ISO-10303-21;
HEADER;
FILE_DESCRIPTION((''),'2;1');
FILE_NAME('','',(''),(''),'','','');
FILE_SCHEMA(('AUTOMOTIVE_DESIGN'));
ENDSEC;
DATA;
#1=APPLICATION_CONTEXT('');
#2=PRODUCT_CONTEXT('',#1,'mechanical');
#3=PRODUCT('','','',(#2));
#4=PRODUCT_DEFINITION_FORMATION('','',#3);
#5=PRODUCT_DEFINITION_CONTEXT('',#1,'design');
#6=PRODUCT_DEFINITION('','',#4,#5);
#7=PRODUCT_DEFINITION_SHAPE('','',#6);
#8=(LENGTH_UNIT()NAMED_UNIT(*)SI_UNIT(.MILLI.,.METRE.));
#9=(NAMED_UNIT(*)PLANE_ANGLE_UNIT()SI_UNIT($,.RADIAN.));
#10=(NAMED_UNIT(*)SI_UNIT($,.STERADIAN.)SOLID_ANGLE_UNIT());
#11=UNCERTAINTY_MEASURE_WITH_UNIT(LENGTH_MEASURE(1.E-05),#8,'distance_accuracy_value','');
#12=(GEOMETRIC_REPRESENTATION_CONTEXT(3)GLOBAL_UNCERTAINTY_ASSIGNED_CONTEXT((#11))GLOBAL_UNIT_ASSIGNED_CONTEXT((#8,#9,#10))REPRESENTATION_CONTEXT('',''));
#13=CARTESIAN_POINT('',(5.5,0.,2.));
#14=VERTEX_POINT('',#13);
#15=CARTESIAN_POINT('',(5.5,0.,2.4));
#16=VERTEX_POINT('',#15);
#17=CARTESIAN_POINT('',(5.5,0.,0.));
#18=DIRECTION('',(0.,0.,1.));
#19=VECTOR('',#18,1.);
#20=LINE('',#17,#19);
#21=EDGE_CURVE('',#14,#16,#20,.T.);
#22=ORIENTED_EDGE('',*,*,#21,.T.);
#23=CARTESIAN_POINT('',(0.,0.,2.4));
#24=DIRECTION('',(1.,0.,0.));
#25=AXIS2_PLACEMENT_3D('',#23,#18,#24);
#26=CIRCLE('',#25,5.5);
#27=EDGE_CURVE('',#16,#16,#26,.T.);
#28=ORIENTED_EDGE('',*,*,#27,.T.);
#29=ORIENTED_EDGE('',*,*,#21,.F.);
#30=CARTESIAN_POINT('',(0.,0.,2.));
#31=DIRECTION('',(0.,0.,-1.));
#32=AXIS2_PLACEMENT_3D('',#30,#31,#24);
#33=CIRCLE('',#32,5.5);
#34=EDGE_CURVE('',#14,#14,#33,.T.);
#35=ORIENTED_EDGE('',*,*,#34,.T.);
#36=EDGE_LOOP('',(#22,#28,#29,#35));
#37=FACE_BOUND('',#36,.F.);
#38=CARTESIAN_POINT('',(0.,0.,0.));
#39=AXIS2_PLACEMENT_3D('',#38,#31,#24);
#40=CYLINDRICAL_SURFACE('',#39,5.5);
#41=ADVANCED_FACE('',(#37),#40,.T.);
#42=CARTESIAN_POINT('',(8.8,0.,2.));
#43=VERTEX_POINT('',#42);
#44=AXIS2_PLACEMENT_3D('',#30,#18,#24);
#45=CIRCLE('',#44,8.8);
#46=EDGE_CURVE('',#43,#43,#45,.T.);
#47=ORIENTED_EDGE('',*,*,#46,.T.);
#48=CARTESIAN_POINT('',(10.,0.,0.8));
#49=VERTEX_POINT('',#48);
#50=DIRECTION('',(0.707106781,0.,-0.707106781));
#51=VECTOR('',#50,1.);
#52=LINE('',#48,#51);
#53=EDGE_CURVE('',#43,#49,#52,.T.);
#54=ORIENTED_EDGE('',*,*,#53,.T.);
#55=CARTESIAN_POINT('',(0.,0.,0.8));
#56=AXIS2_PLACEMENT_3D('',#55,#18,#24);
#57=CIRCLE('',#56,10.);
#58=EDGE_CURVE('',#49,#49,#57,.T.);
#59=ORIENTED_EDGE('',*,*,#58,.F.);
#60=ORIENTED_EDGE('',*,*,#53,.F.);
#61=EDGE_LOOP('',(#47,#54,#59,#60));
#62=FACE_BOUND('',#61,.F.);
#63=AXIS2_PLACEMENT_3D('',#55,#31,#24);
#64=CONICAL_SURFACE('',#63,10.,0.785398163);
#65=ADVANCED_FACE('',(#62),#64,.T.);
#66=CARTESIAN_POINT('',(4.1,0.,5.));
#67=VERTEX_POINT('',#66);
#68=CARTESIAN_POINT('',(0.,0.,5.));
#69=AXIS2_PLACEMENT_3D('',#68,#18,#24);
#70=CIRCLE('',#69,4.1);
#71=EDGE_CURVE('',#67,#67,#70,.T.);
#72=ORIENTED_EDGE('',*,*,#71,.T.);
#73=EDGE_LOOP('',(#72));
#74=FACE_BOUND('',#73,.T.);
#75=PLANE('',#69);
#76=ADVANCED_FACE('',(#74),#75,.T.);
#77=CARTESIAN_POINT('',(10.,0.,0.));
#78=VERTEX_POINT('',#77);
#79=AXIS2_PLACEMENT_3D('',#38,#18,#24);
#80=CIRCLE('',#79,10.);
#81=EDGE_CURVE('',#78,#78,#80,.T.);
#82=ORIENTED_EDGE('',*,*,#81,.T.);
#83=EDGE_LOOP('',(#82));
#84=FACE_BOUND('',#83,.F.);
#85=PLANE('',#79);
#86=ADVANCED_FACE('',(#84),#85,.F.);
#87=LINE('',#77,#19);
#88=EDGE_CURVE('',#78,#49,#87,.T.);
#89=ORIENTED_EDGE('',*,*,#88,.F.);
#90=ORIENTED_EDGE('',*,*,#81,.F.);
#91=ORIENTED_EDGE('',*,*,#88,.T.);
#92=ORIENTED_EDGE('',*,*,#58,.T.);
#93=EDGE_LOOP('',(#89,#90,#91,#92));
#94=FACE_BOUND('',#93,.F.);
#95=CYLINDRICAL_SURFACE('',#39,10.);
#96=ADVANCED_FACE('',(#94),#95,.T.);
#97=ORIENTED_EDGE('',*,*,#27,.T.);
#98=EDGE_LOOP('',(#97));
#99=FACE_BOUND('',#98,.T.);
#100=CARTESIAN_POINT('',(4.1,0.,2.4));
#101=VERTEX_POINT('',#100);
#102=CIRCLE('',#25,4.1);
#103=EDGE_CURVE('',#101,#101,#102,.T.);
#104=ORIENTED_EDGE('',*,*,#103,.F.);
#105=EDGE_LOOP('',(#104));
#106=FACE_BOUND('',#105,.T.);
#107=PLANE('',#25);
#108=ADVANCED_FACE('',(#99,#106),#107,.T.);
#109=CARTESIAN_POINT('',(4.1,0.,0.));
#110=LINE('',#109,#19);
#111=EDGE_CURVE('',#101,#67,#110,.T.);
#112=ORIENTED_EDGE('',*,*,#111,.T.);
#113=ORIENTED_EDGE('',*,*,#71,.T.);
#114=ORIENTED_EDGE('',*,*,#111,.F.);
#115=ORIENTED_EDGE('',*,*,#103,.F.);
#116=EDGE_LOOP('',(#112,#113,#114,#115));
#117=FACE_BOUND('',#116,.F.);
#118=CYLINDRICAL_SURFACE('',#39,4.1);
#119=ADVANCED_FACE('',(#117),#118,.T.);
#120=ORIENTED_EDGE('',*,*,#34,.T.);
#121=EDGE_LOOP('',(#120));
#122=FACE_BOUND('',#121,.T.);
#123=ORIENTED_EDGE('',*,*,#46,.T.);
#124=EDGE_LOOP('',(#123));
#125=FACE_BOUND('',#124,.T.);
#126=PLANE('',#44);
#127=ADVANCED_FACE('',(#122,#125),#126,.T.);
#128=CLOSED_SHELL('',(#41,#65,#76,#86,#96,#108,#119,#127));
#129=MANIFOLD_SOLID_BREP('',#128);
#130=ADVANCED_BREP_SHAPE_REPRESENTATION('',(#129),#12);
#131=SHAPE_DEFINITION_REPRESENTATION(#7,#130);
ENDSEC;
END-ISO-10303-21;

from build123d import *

# Parameters (mm, degrees)
F0_R     = 10
F0_R_2   = 5.5
F0_R_3   = 4.1
F1_DEPTH = 2
F2_DEPTH = 5
F3_SIZE  = 1.2
F4_DEPTH = 2.4


with BuildPart() as f1:
    # F0 (on Top) → F1 (new body)
    with BuildSketch(Plane.XY):
        Circle(F0_R)
        Circle(F0_R_2, mode=Mode.SUBTRACT)
        Circle(F0_R_3)
        Circle(F0_R_2)
        Circle(F0_R_3, mode=Mode.SUBTRACT)
    extrude(amount=F1_DEPTH)

    # F0 (on Top) → F2 (join)
    with BuildSketch(Plane.XY):
        Circle(F0_R_3)
    extrude(amount=F2_DEPTH)

    # F3
    f3_edges = [f1.edges().sort_by_distance(p)[0] for p in [
        (-10, 0, 2),
    ]]
    chamfer(f3_edges, length=F3_SIZE)

    # F0 (on Top) → F4 (join)
    with BuildSketch(Plane.XY):
        Circle(F0_R_2)
        Circle(F0_R_3, mode=Mode.SUBTRACT)
    extrude(amount=F4_DEPTH)


solid = f1.part
